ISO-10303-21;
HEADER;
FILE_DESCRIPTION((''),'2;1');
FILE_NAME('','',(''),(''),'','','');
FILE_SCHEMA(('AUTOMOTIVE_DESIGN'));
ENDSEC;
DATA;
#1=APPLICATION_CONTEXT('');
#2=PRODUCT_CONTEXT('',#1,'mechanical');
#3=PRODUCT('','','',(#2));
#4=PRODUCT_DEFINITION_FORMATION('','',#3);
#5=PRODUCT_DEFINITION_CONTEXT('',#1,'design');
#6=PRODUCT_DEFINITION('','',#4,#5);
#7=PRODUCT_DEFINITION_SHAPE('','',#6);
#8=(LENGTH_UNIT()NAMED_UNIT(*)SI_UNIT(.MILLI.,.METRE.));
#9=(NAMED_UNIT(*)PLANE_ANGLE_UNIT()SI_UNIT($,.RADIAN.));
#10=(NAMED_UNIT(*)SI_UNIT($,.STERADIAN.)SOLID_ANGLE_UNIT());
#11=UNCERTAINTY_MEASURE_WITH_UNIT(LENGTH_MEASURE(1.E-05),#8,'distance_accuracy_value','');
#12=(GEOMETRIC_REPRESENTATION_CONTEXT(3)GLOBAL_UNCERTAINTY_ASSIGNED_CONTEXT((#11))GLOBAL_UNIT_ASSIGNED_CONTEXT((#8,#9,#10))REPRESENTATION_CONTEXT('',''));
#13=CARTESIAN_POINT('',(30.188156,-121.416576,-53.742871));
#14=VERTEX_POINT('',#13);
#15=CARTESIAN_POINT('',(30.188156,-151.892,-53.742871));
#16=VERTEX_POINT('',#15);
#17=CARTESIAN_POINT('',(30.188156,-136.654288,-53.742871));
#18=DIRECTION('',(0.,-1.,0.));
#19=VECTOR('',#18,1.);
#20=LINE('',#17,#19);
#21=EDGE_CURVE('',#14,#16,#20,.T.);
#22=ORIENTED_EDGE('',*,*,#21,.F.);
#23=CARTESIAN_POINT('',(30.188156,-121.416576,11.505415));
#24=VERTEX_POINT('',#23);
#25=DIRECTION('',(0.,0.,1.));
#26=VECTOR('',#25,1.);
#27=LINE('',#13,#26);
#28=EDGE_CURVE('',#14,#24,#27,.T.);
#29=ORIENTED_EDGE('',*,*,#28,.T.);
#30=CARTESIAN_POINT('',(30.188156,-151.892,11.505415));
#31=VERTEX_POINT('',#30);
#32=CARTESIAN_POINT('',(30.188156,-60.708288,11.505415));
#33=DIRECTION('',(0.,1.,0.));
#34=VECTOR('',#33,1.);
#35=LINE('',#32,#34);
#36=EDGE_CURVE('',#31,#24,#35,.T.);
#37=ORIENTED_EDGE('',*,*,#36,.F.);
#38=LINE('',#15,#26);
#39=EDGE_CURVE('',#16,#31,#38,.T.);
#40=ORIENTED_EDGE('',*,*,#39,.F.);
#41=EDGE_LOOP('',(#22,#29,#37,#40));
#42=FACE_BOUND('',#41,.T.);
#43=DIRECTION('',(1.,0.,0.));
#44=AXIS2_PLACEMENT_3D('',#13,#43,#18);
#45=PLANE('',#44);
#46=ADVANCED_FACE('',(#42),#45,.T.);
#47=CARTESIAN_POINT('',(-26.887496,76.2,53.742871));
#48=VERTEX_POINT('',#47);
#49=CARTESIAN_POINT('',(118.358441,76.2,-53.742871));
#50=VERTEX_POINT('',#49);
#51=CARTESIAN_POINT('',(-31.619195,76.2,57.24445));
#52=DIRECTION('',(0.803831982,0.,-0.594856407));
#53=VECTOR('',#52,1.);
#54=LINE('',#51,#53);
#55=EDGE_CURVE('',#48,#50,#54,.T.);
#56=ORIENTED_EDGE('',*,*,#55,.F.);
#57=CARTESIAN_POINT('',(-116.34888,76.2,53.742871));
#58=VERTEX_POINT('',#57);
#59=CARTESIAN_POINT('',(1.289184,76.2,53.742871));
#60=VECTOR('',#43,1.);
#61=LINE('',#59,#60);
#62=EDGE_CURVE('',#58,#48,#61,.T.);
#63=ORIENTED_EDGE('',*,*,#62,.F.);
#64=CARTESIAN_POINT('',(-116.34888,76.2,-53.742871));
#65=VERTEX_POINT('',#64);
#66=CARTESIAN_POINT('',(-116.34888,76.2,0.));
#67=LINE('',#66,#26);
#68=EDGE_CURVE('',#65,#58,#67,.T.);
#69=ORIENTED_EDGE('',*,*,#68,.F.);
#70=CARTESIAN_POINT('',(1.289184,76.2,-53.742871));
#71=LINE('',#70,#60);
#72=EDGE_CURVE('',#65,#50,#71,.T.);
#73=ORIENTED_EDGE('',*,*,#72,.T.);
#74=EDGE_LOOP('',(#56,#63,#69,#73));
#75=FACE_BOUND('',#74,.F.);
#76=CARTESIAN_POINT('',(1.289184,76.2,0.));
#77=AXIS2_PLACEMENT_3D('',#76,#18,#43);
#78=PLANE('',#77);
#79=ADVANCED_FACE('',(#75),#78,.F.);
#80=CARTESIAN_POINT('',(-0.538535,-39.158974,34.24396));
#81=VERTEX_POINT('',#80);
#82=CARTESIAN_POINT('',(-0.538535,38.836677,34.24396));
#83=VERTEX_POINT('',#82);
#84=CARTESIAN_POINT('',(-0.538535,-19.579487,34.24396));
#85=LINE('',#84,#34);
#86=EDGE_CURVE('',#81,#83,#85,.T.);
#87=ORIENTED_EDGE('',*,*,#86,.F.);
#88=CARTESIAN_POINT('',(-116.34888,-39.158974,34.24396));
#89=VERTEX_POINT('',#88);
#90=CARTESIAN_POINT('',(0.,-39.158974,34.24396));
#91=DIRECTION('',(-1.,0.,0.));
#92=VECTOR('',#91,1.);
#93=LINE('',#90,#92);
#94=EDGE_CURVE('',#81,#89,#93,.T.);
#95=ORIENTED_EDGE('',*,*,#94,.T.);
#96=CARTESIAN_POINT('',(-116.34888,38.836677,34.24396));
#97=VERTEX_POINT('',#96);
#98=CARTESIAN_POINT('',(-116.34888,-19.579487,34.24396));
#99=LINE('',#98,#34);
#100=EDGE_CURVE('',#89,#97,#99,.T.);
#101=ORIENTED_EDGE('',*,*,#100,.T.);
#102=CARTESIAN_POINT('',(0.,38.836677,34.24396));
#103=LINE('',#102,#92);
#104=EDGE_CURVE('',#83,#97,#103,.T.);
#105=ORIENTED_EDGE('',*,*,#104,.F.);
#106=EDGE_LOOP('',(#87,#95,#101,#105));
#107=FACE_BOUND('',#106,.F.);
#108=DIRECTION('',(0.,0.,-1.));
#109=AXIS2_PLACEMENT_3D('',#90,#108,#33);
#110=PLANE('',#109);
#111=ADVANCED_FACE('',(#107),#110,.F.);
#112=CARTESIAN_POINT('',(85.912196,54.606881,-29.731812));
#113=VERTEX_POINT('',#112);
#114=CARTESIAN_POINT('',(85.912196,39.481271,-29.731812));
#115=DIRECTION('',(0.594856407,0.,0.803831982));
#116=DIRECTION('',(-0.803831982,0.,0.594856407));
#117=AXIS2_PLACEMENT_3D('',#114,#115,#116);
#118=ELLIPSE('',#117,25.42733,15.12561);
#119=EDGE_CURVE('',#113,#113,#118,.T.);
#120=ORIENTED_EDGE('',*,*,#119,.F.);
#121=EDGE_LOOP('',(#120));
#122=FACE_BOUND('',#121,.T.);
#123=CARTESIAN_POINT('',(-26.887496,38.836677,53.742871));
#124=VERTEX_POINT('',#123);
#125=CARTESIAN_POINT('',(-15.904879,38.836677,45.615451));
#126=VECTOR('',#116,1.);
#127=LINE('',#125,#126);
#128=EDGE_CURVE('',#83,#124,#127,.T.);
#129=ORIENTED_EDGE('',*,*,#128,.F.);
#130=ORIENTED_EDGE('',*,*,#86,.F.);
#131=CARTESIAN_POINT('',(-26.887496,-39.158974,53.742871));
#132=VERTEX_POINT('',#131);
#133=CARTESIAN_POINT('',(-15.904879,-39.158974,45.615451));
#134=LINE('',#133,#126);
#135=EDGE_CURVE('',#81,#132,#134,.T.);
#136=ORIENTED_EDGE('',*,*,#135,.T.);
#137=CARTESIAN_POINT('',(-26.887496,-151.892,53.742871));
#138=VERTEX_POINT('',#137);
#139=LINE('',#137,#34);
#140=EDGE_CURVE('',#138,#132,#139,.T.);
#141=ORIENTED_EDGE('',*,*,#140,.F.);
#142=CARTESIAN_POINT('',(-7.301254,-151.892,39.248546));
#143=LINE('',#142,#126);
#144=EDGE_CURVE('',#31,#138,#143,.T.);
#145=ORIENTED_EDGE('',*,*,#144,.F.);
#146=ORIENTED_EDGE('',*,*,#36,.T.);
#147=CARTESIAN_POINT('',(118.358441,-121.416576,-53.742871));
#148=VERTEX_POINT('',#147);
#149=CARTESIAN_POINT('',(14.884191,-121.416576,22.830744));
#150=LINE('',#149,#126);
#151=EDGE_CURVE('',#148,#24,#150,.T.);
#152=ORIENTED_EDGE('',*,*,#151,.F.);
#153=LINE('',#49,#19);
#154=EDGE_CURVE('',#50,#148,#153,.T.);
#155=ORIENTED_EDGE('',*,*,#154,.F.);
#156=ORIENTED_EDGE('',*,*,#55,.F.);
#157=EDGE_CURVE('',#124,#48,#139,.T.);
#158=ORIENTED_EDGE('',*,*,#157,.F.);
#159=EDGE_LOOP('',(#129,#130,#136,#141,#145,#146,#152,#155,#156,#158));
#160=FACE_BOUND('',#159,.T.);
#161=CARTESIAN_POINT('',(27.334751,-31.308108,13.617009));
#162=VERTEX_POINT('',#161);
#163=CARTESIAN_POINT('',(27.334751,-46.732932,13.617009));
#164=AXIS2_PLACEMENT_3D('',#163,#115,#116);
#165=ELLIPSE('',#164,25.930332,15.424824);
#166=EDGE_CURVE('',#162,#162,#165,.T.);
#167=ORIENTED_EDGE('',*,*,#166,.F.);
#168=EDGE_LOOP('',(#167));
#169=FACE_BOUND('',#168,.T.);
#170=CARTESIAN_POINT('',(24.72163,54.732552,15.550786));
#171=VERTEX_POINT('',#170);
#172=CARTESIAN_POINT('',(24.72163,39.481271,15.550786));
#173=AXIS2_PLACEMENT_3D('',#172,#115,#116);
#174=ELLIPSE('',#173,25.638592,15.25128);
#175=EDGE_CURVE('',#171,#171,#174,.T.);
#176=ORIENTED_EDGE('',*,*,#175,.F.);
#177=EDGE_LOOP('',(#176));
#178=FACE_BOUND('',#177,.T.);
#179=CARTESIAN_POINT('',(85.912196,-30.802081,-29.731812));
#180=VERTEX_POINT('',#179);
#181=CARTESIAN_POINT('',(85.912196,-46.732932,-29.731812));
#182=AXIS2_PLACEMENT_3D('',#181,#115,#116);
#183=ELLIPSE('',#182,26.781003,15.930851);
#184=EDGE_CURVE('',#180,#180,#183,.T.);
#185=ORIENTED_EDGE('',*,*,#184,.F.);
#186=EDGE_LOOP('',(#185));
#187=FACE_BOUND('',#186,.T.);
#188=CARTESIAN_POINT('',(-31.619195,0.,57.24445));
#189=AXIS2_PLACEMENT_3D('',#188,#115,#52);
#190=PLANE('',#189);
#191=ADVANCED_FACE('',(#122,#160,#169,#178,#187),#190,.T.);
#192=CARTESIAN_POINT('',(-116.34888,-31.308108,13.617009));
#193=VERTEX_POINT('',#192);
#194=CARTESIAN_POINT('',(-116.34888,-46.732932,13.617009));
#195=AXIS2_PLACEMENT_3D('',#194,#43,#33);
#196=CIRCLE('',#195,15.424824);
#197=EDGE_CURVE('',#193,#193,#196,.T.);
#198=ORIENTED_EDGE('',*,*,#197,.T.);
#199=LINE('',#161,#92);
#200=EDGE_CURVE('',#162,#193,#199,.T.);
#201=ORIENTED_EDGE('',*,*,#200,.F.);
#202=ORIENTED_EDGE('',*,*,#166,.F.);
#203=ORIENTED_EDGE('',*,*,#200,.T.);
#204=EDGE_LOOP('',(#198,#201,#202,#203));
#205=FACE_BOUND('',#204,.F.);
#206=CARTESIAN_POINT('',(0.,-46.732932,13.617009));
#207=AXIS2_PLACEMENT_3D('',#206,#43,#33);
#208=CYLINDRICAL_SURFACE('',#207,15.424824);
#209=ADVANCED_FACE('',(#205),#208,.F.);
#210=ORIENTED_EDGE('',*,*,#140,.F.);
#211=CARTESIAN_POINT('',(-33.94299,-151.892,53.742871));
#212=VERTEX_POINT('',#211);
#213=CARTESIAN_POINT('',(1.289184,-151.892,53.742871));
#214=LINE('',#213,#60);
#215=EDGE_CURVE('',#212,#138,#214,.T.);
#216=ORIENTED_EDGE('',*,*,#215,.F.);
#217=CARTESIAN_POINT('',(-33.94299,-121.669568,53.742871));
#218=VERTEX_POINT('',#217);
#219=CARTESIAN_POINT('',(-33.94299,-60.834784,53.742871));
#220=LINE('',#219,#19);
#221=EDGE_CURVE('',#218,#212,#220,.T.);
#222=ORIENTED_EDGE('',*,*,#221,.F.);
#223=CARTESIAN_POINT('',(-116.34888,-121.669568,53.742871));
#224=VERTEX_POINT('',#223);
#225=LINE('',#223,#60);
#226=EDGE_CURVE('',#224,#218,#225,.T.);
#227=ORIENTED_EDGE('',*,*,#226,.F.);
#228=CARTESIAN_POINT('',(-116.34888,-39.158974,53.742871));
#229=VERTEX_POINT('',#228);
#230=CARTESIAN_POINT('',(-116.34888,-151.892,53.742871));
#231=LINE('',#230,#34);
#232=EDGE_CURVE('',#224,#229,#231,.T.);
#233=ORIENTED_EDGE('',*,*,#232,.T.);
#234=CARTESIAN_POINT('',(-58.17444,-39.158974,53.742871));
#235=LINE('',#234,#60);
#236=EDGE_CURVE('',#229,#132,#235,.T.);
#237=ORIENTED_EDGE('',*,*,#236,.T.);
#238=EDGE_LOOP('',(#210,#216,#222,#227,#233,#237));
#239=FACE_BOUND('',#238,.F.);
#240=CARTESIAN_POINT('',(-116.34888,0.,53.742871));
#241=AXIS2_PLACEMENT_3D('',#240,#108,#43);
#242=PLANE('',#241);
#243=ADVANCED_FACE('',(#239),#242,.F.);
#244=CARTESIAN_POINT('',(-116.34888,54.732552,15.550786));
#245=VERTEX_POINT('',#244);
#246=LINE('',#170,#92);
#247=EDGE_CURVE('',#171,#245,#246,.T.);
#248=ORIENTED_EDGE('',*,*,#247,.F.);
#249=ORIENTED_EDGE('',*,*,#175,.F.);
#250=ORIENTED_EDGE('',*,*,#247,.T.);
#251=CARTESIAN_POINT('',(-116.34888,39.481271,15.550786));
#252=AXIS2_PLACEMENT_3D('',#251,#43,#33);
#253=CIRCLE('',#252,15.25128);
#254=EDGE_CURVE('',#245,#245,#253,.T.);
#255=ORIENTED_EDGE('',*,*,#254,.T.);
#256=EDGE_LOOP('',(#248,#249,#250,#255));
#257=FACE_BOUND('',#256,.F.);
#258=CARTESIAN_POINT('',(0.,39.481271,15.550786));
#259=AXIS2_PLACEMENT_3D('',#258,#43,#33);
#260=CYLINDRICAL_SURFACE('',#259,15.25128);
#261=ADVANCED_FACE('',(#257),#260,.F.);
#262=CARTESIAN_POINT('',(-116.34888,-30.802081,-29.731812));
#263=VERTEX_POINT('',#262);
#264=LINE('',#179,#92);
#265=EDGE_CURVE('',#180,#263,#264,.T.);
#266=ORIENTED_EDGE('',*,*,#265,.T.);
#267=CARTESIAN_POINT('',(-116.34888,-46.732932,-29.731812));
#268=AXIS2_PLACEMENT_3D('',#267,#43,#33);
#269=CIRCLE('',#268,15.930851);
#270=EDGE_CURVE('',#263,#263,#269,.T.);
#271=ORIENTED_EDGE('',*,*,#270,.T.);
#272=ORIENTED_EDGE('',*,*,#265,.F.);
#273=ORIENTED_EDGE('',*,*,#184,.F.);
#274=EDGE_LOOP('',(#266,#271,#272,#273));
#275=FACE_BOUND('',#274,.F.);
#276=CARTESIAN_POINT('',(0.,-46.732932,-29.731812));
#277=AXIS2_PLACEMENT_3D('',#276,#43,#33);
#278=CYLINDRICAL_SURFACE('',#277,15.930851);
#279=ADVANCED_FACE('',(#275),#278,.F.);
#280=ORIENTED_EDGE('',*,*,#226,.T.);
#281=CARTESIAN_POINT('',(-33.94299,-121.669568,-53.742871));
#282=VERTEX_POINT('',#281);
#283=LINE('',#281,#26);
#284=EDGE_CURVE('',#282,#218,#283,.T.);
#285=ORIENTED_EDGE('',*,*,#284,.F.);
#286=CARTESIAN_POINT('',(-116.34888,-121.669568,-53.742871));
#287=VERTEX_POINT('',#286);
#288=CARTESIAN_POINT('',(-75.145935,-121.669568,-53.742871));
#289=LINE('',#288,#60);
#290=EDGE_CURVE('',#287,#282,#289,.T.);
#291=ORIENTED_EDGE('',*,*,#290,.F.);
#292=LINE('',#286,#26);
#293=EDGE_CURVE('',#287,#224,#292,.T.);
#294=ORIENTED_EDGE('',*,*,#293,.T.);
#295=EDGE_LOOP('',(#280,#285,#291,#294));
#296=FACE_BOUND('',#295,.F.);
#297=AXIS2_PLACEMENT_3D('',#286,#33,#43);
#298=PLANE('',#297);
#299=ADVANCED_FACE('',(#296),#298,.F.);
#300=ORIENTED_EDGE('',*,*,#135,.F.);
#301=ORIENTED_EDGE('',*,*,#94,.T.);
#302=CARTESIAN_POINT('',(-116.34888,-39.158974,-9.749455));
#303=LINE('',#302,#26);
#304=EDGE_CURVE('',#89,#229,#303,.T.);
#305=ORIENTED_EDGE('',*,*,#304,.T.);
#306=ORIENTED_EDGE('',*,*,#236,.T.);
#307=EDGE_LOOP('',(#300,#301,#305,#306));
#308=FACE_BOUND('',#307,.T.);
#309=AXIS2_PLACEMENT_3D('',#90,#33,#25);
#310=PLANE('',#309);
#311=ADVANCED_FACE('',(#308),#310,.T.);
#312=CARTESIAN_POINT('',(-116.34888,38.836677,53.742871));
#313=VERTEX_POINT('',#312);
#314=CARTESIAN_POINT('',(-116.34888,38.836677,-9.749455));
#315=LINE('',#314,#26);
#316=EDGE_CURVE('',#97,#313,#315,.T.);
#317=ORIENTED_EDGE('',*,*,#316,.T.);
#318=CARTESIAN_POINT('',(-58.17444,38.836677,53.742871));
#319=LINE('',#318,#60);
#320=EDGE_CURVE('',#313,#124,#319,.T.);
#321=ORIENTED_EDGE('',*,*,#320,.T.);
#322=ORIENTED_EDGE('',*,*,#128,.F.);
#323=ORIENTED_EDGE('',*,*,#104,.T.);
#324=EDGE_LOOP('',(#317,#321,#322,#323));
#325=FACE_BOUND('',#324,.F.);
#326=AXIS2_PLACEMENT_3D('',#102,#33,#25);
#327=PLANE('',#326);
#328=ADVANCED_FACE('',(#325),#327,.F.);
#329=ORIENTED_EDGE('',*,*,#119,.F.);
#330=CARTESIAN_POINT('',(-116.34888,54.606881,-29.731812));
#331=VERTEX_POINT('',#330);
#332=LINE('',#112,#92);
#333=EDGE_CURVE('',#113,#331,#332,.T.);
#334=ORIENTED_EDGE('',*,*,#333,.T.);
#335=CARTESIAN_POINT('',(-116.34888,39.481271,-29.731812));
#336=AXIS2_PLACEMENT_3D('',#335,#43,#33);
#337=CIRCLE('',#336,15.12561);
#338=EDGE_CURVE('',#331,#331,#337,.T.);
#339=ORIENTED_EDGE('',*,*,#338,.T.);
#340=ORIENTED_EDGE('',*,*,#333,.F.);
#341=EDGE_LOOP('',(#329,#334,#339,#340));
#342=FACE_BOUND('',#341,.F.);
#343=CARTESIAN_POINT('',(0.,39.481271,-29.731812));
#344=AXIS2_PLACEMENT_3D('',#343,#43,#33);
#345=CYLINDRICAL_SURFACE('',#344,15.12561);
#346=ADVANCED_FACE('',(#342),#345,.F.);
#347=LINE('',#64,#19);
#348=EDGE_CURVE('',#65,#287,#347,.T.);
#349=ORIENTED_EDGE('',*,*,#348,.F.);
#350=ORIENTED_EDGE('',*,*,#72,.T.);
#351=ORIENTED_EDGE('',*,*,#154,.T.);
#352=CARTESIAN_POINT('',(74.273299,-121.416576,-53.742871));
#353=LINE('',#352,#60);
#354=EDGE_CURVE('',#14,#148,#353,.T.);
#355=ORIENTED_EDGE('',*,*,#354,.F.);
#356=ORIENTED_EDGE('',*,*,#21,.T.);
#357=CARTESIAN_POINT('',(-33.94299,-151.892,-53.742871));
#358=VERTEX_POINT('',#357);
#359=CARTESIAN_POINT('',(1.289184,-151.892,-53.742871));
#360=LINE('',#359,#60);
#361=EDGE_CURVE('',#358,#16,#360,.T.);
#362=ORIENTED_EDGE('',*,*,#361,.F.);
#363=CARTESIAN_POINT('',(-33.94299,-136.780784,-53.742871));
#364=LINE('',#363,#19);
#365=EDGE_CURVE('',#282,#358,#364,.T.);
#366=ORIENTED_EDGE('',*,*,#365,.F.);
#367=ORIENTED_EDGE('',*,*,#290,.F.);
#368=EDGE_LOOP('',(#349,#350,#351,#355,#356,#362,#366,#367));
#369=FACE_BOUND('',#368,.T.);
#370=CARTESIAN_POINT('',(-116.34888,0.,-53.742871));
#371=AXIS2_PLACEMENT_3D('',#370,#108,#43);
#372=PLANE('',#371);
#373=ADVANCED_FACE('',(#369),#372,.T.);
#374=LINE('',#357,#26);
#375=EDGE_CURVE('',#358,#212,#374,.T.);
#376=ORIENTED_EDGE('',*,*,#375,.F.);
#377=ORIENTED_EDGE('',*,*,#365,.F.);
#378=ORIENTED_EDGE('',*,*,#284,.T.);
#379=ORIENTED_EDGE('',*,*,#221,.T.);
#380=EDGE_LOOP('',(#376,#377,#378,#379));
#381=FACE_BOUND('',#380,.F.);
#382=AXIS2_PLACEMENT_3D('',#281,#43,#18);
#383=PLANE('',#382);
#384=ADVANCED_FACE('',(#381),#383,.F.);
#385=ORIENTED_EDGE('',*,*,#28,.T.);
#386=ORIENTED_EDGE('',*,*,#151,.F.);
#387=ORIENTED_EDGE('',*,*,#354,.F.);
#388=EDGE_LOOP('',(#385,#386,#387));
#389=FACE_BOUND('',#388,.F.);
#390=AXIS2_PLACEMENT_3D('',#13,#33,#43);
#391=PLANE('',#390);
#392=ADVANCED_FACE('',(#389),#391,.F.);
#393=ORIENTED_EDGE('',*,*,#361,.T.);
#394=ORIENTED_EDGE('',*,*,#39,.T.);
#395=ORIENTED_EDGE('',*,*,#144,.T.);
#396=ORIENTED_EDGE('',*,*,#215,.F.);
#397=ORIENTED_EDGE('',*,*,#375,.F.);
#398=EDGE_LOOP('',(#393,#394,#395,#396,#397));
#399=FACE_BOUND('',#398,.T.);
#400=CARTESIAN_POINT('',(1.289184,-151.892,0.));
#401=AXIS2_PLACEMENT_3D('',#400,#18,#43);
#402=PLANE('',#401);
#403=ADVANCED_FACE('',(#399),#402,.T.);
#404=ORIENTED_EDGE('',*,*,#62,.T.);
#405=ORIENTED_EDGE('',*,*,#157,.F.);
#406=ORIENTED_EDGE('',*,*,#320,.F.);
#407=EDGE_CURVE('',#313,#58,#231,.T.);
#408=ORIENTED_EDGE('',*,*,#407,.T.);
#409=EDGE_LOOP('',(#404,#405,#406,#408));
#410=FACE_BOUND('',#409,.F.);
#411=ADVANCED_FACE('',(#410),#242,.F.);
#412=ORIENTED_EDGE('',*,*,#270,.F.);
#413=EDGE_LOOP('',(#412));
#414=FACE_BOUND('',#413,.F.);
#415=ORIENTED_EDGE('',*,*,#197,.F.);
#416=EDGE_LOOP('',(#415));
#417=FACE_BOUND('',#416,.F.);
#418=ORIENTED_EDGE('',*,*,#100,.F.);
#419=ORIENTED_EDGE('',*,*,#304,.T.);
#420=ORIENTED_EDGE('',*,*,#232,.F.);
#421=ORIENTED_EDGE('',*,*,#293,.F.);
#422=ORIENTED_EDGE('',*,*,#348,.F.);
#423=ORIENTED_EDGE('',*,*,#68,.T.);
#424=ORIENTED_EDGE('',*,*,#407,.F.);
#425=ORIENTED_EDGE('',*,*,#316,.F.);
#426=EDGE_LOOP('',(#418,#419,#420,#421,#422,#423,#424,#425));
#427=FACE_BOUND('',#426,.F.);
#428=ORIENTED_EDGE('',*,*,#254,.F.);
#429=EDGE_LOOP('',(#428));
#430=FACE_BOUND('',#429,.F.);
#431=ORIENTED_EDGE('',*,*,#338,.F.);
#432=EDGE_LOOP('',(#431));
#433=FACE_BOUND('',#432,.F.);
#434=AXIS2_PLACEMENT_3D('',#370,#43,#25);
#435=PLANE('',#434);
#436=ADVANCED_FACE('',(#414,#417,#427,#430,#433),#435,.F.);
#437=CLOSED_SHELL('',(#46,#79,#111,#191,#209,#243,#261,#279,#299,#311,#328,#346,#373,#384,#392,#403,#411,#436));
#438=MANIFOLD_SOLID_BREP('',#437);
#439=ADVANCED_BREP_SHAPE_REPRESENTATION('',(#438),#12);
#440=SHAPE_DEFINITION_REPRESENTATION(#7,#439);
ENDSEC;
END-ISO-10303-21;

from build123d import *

# Parameters (mm, degrees)
F0_W          = 235.2761279326
F0_H          = 107.4857413769
F1_DEPTH      = 151.892
F1_DEPTH_BACK = 76.2
F3_DEPTH      = 237.236
F3_DEPTH_BACK = 76.2
F4_W          = 77.9956504703
F4_H          = 36.5806035697
F5_DEPTH      = 158.242
F6_R          = 15.4248239937
F6_R_2        = 15.9308513278
F6_R_3        = 15.1256103557
F6_R_4        = 15.251280461
F7_DEPTH      = 184.658
F7_DEPTH_BACK = 146.812
F8_W          = 88.170285026
F8_H          = 30.4754237933
F9_DEPTH      = 160.528
F10_W         = 82.4058901053
F10_H         = 30.2224318786
F11_DEPTH     = 127.762


with BuildPart() as f1:
    # F0 (on Front) → F1 (new body, two sides)
    with BuildSketch(Plane.XZ) as f1_sk:
        with Locations((1.289183856, 0)):
            Rectangle(F0_W, F0_H)
    extrude(amount=F1_DEPTH)
    extrude(f1_sk.sketch, amount=-F1_DEPTH_BACK)

    # F2 (on Front) → F3 (cut, two sides)
    with BuildSketch(Plane.XZ) as f3_sk:
        Polygon((126.138061285, 57.2444498539), (-31.619194895, 57.2444498539), (126.138061285, -59.499990195), align=None)
    extrude(amount=F3_DEPTH, mode=Mode.SUBTRACT)
    extrude(f3_sk.sketch, amount=-F3_DEPTH_BACK, mode=Mode.SUBTRACT)

    # F4 (on Right) → F5 (cut)
    with BuildSketch(Plane.YZ):
        with Locations((-0.1611486077, 52.5342617184)):
            Rectangle(F4_W, F4_H)
    extrude(amount=-F5_DEPTH, mode=Mode.SUBTRACT)

    # F6 (on Right) → F7 (cut, two sides)
    with BuildSketch(Plane.YZ) as f7_sk:
        with Locations((-46.7329323292, 13.6170089245)):
            Circle(F6_R)
        with Locations((-46.7329323292, -29.7318119556)):
            Circle(F6_R_2)
        with Locations((39.4812710583, -29.7318119556)):
            Circle(F6_R_3)
        with Locations((39.4812710583, 15.550785698)):
            Circle(F6_R_4)
    extrude(amount=-F7_DEPTH, mode=Mode.SUBTRACT)
    extrude(f7_sk.sketch, amount=F7_DEPTH_BACK, mode=Mode.SUBTRACT)

    # F8 (on face) → F9 (cut)
    with BuildSketch(Plane(origin=(0, 0, -53.7428706884), x_dir=(1, 0, 0), z_dir=(0, 0, -1))):
        with Locations((74.2732988048, 136.6542881033)):
            Rectangle(F8_W, F8_H)
    extrude(amount=-F9_DEPTH, mode=Mode.SUBTRACT)

    # F10 (on face) → F11 (cut)
    with BuildSketch(Plane(origin=(0, 0, -53.7428706884), x_dir=(1, 0, 0), z_dir=(0, 0, -1))):
        with Locations((-75.1459350577, 136.7807840607)):
            Rectangle(F10_W, F10_H)
    extrude(amount=-F11_DEPTH, mode=Mode.SUBTRACT)


solid = f1.part
